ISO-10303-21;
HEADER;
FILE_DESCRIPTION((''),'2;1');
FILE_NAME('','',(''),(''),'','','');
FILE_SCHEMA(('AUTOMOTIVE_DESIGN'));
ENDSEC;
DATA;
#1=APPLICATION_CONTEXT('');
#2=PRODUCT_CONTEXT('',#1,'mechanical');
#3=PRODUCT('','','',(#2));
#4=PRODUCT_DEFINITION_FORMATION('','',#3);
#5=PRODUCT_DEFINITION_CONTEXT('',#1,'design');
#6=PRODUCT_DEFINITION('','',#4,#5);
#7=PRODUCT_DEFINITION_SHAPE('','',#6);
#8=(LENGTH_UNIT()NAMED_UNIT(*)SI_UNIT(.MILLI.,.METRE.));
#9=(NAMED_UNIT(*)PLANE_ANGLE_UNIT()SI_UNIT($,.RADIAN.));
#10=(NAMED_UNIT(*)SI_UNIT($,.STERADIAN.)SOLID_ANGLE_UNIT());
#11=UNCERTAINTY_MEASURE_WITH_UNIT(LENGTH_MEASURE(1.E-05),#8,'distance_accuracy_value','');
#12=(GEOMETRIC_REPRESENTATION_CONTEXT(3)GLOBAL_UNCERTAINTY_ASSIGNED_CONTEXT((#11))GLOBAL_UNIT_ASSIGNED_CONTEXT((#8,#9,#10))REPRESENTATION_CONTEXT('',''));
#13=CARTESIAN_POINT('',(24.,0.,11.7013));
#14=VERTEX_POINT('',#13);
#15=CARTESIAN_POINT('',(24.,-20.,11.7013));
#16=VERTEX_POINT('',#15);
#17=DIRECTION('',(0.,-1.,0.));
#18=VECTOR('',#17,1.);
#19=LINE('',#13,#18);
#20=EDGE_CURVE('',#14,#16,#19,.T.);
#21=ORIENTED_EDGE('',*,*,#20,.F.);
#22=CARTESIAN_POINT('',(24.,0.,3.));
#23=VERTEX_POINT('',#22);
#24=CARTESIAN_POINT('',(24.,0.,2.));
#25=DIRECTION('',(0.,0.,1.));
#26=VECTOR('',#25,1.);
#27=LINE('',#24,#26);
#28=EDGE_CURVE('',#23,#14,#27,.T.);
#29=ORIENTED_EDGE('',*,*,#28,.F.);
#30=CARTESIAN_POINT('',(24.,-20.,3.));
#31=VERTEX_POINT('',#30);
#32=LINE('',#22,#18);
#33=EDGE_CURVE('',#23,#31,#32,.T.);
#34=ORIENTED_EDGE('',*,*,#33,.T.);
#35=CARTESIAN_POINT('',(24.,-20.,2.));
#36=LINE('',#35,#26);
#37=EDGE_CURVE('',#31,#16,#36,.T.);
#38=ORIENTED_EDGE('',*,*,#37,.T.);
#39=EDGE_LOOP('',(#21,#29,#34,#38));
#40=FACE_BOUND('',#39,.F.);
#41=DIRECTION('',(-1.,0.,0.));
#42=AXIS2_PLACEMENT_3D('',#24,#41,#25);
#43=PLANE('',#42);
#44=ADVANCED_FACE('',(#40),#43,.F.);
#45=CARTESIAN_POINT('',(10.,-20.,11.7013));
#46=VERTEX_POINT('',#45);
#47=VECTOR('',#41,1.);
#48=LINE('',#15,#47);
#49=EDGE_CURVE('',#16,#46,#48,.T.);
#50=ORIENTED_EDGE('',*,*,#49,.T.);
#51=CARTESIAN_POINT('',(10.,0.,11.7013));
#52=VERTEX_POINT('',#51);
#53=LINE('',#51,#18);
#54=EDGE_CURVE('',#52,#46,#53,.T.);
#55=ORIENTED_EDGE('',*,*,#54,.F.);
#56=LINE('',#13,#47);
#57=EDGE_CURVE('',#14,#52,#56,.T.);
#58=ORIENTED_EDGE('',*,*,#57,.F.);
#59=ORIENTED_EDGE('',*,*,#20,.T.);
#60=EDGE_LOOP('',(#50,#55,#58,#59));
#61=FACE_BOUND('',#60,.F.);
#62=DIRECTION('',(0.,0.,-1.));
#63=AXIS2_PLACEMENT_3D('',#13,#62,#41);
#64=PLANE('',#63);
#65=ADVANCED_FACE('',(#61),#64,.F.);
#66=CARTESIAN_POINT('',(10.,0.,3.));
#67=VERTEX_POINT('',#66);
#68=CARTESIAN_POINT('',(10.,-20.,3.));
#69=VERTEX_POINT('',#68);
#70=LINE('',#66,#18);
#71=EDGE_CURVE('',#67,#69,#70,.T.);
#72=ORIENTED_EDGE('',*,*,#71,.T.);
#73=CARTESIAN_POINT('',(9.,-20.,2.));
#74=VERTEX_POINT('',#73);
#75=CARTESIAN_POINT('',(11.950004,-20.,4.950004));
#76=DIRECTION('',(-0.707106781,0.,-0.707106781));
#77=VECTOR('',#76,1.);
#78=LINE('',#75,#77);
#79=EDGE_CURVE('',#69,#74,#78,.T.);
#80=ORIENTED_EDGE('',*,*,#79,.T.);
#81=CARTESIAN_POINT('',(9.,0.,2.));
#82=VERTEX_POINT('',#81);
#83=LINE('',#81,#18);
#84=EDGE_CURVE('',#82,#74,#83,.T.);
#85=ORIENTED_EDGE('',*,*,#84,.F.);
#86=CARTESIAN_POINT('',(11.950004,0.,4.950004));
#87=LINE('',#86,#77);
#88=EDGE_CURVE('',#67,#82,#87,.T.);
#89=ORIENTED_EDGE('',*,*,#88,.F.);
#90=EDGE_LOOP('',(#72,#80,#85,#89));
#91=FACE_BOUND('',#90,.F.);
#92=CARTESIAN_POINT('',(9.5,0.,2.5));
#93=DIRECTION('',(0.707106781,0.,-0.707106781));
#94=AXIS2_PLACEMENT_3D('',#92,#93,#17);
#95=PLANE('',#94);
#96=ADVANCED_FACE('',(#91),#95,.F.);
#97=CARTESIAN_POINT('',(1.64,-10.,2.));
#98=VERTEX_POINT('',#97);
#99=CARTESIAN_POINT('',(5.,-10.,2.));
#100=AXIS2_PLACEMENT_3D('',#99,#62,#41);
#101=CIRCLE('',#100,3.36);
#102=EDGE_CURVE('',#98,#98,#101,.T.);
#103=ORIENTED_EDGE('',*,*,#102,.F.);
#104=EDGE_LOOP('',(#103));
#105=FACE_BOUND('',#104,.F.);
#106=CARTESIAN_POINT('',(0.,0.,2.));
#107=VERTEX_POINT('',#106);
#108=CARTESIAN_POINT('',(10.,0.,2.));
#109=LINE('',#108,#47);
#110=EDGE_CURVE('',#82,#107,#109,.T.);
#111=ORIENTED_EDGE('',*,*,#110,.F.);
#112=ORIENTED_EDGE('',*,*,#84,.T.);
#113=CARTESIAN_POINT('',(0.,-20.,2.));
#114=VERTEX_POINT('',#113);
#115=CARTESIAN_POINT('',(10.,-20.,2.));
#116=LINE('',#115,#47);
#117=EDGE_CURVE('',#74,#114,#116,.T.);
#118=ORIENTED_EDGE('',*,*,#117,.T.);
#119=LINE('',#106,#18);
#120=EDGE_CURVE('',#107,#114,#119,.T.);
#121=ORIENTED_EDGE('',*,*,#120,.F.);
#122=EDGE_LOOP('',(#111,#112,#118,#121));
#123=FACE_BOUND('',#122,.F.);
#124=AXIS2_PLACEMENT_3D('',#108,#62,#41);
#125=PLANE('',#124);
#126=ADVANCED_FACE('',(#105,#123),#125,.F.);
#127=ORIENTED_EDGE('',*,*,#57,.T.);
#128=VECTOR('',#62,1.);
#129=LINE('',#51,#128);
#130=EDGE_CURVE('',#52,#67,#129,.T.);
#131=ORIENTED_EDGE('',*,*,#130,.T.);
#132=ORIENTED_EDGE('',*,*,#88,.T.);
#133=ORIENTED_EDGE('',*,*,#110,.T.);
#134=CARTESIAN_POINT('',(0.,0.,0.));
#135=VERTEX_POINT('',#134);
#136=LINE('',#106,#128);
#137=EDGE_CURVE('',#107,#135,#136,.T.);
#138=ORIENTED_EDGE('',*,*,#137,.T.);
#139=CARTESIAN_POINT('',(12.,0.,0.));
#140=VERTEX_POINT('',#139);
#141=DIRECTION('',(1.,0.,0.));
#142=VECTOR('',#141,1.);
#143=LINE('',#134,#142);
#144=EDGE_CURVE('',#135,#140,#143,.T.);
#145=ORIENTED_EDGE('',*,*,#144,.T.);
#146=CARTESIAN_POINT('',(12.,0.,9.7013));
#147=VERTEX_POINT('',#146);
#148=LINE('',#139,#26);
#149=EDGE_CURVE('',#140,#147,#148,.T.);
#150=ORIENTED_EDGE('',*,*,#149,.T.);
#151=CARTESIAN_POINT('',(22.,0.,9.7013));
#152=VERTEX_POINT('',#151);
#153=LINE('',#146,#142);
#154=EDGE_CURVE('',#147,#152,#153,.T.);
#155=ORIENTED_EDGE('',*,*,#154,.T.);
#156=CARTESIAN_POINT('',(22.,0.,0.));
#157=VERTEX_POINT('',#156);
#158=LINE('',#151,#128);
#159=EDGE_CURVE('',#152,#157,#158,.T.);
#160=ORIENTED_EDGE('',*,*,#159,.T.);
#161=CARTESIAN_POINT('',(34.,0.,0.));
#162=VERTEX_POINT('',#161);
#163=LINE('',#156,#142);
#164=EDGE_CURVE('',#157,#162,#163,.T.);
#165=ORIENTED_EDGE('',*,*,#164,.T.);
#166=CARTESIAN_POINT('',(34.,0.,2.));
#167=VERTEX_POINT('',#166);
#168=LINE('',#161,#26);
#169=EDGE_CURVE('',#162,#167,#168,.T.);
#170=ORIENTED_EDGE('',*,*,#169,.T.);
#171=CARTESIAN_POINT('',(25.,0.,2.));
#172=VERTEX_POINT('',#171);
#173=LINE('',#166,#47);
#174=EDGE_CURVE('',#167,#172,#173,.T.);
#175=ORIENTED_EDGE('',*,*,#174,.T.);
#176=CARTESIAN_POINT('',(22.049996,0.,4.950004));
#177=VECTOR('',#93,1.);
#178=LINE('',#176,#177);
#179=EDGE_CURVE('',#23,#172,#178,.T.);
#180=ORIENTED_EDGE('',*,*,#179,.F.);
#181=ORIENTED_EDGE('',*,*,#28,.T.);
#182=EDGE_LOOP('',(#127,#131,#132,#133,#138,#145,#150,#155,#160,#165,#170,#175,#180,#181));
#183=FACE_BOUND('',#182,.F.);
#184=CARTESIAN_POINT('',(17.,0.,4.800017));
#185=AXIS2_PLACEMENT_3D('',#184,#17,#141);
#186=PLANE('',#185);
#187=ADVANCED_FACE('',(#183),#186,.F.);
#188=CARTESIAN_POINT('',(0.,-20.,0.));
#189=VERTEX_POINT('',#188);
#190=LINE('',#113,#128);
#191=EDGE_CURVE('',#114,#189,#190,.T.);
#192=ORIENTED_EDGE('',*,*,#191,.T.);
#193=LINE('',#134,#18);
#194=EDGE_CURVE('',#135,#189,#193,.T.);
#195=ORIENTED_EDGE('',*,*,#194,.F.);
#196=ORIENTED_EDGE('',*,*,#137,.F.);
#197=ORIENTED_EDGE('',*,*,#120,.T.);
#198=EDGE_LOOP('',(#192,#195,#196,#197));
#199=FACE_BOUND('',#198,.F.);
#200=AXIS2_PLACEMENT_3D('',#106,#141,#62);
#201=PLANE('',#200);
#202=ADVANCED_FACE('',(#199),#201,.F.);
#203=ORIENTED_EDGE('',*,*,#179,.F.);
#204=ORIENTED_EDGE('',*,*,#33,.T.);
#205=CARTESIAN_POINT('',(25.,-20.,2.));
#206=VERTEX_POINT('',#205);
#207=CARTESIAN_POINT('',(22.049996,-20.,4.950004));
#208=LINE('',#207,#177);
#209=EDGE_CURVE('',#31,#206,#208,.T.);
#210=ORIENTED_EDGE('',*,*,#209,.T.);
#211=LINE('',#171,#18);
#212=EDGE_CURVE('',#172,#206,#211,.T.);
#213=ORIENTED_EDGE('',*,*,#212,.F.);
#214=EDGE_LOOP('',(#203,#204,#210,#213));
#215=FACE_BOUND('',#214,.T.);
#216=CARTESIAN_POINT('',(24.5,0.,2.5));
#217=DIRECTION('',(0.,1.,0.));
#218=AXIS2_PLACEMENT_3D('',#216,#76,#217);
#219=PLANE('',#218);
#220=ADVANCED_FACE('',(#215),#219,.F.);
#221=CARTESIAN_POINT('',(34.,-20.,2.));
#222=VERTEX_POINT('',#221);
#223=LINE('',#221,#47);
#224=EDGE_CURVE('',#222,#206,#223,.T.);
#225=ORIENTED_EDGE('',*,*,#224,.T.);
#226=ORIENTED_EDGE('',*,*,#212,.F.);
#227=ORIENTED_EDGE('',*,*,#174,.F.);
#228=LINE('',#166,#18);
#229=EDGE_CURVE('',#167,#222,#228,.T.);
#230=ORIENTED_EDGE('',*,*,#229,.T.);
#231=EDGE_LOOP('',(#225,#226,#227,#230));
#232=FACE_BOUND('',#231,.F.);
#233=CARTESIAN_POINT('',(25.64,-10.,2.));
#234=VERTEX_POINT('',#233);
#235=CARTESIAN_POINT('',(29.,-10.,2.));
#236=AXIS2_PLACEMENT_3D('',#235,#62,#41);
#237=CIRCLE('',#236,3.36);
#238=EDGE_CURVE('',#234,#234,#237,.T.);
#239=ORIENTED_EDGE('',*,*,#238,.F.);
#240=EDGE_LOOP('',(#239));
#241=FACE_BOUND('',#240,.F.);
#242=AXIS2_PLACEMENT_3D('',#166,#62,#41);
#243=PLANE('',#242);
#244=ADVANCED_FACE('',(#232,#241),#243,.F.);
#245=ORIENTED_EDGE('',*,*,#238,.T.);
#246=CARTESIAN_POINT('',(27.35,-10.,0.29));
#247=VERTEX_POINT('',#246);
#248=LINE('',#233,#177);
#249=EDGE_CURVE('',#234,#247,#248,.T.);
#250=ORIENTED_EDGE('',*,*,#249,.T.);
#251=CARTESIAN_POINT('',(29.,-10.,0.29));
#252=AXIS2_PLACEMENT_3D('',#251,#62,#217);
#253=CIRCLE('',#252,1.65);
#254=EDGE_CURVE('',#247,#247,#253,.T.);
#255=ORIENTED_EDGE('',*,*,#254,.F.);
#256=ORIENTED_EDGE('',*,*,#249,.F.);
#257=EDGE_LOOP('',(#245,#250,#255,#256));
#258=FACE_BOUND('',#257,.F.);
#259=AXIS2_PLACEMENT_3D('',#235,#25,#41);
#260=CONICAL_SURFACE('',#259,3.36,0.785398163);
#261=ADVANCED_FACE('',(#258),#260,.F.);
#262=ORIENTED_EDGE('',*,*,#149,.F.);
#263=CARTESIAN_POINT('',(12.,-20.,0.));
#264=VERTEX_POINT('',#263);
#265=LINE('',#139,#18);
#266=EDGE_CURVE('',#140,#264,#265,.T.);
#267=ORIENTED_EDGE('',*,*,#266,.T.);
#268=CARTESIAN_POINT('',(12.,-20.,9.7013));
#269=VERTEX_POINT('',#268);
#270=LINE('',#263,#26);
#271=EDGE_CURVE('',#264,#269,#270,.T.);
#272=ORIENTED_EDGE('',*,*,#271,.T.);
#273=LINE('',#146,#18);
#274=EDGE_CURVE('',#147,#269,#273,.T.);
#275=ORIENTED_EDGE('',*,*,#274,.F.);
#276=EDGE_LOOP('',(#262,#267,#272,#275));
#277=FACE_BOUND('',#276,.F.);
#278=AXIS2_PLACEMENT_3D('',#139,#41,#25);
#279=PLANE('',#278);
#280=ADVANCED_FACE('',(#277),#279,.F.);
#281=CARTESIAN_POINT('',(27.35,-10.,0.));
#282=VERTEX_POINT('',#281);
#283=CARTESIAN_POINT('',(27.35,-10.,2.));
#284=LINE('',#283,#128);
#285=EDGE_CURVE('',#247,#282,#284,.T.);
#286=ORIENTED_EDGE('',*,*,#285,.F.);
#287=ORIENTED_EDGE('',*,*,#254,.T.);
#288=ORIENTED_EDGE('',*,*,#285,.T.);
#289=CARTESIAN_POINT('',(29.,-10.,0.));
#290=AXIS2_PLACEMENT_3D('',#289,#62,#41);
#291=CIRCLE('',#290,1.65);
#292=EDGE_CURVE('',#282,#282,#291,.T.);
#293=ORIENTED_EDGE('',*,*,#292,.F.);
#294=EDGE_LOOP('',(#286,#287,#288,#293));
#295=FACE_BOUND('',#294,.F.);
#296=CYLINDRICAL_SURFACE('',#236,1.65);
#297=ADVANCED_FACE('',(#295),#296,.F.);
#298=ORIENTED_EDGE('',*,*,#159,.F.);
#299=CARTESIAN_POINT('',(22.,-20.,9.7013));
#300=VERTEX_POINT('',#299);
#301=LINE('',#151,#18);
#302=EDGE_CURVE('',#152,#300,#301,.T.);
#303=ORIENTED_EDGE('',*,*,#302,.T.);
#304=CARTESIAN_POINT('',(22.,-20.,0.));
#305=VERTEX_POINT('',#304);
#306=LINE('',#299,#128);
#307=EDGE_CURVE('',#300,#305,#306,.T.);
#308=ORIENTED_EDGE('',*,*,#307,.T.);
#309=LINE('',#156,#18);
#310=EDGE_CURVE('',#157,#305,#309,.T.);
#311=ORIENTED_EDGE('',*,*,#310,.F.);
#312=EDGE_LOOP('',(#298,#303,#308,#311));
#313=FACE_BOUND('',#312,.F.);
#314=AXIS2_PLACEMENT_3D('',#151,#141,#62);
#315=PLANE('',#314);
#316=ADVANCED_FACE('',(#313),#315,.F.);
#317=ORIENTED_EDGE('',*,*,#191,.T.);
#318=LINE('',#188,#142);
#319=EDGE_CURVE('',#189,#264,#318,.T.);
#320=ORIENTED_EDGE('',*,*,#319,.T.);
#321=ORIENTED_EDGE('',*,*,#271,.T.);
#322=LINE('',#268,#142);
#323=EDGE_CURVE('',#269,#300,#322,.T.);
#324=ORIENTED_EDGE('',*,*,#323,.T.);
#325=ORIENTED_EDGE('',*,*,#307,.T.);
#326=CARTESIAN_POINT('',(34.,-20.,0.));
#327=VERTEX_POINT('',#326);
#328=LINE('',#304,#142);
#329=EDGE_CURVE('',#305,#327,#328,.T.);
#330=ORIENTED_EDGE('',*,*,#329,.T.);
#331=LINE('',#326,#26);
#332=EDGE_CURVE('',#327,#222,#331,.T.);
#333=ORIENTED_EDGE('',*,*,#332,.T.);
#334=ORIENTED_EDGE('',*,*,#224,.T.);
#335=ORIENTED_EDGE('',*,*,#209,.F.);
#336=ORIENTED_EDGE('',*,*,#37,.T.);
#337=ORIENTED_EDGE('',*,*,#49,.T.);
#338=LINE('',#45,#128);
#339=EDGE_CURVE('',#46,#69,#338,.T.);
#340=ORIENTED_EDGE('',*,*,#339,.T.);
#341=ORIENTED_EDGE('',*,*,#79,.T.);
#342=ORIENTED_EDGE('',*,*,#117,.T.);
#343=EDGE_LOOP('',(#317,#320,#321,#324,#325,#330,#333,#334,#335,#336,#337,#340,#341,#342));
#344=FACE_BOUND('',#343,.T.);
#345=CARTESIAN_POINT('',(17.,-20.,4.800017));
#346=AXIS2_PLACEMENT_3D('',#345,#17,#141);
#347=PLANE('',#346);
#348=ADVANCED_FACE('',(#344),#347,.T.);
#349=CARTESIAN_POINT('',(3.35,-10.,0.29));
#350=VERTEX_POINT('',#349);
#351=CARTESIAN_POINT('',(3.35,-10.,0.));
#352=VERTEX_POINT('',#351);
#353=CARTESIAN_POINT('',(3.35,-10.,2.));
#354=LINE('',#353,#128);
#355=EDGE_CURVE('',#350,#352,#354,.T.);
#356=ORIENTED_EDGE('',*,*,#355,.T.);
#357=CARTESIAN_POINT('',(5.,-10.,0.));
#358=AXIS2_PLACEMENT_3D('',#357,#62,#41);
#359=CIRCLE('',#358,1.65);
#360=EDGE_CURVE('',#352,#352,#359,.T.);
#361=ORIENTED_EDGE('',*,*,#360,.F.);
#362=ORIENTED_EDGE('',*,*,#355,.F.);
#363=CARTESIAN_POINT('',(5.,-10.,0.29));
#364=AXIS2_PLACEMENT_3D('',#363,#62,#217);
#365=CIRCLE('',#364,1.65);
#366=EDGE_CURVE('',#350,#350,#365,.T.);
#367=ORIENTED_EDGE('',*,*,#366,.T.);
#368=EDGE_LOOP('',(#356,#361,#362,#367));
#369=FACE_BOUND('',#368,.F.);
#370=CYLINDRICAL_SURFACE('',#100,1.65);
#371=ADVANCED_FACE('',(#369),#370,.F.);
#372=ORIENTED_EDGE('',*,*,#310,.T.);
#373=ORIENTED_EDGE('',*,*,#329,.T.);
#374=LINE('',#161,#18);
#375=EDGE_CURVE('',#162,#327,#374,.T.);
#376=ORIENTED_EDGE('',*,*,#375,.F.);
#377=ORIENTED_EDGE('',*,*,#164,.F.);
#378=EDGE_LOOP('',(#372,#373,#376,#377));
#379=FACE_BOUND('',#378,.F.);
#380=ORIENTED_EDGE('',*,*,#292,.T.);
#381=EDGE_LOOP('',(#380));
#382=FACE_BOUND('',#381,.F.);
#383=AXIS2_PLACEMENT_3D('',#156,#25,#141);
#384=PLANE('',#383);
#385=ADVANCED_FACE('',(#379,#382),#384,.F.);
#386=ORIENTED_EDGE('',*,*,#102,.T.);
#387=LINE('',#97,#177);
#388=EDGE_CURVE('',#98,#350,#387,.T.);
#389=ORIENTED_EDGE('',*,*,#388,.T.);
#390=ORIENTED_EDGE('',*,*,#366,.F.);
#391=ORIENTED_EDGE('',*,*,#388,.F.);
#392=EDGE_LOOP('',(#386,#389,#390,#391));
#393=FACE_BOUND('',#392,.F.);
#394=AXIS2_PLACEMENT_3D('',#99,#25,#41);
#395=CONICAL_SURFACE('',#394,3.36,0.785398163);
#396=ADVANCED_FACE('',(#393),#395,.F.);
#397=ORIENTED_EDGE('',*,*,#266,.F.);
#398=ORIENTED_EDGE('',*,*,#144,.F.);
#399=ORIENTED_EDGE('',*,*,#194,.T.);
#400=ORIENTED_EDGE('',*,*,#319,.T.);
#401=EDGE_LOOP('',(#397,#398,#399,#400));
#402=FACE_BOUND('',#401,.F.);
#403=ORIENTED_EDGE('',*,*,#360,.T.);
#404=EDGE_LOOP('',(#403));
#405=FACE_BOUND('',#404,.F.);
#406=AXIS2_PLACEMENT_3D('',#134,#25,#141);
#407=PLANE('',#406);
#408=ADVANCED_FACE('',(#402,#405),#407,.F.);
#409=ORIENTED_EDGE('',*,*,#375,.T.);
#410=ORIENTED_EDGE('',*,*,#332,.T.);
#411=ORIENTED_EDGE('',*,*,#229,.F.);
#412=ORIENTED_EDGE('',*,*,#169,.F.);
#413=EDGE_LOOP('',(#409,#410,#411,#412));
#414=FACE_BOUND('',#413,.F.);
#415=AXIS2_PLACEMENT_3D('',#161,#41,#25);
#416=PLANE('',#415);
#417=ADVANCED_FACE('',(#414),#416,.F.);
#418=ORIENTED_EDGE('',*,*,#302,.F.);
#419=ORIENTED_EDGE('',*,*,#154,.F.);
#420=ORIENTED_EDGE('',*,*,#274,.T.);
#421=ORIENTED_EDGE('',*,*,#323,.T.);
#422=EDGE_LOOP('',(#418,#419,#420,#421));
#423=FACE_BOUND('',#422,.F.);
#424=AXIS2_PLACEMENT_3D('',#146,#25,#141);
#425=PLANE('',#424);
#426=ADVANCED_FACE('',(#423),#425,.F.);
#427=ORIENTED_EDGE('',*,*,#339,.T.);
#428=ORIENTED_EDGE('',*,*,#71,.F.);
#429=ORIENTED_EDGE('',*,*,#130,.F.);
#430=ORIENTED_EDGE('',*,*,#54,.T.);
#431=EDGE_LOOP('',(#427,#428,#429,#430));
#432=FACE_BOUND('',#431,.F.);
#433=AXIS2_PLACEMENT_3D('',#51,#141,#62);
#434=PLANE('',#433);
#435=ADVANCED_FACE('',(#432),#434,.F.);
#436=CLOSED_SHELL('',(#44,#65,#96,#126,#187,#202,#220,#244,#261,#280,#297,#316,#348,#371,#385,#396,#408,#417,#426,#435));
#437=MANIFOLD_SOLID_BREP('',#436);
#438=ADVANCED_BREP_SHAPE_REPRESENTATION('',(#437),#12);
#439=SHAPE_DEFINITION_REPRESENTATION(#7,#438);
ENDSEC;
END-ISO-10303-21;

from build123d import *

# Parameters (mm, degrees)
F1_DEPTH             = 20
F4_D                 = 3.3
F4_CSINK_D           = 6.72
F4_CSINK_ANGLE       = 90
F4_ON_F2_D           = 3.3
F4_ON_F2_CSINK_D     = 6.72
F4_ON_F2_CSINK_ANGLE = 90
F5_SIZE              = 1


with BuildPart() as f1:
    # F0 (on Front) → F1 (new body)
    with BuildSketch(Plane.XZ):
        Polygon((0, 2), (0, 0), (12, 0), (12, 9.7012996929), (22, 9.7012996929), (22, 0), (34, 0), (34, 2), (24, 2), (24, 11.7012996929), (10, 11.7012996929), (10, 2), align=None)
    extrude(amount=F1_DEPTH)

    # F4 (through all)
    with Locations(Plane.XY.offset(2)):
        with Locations((5, -10)):
            CounterSinkHole(F4_D / 2, F4_CSINK_D / 2, counter_sink_angle=F4_CSINK_ANGLE)

    # F4 on F2 (through all)
    with Locations(Plane.XY.offset(2)):
        with Locations((29, -10)):
            CounterSinkHole(F4_ON_F2_D / 2, F4_ON_F2_CSINK_D / 2, counter_sink_angle=F4_ON_F2_CSINK_ANGLE)

    # F5
    f5_edges = [f1.edges().sort_by_distance(p)[0] for p in [
        (24, -10, 2),
        (10, -10, 2),
    ]]
    chamfer(f5_edges, length=F5_SIZE)


solid = f1.part
